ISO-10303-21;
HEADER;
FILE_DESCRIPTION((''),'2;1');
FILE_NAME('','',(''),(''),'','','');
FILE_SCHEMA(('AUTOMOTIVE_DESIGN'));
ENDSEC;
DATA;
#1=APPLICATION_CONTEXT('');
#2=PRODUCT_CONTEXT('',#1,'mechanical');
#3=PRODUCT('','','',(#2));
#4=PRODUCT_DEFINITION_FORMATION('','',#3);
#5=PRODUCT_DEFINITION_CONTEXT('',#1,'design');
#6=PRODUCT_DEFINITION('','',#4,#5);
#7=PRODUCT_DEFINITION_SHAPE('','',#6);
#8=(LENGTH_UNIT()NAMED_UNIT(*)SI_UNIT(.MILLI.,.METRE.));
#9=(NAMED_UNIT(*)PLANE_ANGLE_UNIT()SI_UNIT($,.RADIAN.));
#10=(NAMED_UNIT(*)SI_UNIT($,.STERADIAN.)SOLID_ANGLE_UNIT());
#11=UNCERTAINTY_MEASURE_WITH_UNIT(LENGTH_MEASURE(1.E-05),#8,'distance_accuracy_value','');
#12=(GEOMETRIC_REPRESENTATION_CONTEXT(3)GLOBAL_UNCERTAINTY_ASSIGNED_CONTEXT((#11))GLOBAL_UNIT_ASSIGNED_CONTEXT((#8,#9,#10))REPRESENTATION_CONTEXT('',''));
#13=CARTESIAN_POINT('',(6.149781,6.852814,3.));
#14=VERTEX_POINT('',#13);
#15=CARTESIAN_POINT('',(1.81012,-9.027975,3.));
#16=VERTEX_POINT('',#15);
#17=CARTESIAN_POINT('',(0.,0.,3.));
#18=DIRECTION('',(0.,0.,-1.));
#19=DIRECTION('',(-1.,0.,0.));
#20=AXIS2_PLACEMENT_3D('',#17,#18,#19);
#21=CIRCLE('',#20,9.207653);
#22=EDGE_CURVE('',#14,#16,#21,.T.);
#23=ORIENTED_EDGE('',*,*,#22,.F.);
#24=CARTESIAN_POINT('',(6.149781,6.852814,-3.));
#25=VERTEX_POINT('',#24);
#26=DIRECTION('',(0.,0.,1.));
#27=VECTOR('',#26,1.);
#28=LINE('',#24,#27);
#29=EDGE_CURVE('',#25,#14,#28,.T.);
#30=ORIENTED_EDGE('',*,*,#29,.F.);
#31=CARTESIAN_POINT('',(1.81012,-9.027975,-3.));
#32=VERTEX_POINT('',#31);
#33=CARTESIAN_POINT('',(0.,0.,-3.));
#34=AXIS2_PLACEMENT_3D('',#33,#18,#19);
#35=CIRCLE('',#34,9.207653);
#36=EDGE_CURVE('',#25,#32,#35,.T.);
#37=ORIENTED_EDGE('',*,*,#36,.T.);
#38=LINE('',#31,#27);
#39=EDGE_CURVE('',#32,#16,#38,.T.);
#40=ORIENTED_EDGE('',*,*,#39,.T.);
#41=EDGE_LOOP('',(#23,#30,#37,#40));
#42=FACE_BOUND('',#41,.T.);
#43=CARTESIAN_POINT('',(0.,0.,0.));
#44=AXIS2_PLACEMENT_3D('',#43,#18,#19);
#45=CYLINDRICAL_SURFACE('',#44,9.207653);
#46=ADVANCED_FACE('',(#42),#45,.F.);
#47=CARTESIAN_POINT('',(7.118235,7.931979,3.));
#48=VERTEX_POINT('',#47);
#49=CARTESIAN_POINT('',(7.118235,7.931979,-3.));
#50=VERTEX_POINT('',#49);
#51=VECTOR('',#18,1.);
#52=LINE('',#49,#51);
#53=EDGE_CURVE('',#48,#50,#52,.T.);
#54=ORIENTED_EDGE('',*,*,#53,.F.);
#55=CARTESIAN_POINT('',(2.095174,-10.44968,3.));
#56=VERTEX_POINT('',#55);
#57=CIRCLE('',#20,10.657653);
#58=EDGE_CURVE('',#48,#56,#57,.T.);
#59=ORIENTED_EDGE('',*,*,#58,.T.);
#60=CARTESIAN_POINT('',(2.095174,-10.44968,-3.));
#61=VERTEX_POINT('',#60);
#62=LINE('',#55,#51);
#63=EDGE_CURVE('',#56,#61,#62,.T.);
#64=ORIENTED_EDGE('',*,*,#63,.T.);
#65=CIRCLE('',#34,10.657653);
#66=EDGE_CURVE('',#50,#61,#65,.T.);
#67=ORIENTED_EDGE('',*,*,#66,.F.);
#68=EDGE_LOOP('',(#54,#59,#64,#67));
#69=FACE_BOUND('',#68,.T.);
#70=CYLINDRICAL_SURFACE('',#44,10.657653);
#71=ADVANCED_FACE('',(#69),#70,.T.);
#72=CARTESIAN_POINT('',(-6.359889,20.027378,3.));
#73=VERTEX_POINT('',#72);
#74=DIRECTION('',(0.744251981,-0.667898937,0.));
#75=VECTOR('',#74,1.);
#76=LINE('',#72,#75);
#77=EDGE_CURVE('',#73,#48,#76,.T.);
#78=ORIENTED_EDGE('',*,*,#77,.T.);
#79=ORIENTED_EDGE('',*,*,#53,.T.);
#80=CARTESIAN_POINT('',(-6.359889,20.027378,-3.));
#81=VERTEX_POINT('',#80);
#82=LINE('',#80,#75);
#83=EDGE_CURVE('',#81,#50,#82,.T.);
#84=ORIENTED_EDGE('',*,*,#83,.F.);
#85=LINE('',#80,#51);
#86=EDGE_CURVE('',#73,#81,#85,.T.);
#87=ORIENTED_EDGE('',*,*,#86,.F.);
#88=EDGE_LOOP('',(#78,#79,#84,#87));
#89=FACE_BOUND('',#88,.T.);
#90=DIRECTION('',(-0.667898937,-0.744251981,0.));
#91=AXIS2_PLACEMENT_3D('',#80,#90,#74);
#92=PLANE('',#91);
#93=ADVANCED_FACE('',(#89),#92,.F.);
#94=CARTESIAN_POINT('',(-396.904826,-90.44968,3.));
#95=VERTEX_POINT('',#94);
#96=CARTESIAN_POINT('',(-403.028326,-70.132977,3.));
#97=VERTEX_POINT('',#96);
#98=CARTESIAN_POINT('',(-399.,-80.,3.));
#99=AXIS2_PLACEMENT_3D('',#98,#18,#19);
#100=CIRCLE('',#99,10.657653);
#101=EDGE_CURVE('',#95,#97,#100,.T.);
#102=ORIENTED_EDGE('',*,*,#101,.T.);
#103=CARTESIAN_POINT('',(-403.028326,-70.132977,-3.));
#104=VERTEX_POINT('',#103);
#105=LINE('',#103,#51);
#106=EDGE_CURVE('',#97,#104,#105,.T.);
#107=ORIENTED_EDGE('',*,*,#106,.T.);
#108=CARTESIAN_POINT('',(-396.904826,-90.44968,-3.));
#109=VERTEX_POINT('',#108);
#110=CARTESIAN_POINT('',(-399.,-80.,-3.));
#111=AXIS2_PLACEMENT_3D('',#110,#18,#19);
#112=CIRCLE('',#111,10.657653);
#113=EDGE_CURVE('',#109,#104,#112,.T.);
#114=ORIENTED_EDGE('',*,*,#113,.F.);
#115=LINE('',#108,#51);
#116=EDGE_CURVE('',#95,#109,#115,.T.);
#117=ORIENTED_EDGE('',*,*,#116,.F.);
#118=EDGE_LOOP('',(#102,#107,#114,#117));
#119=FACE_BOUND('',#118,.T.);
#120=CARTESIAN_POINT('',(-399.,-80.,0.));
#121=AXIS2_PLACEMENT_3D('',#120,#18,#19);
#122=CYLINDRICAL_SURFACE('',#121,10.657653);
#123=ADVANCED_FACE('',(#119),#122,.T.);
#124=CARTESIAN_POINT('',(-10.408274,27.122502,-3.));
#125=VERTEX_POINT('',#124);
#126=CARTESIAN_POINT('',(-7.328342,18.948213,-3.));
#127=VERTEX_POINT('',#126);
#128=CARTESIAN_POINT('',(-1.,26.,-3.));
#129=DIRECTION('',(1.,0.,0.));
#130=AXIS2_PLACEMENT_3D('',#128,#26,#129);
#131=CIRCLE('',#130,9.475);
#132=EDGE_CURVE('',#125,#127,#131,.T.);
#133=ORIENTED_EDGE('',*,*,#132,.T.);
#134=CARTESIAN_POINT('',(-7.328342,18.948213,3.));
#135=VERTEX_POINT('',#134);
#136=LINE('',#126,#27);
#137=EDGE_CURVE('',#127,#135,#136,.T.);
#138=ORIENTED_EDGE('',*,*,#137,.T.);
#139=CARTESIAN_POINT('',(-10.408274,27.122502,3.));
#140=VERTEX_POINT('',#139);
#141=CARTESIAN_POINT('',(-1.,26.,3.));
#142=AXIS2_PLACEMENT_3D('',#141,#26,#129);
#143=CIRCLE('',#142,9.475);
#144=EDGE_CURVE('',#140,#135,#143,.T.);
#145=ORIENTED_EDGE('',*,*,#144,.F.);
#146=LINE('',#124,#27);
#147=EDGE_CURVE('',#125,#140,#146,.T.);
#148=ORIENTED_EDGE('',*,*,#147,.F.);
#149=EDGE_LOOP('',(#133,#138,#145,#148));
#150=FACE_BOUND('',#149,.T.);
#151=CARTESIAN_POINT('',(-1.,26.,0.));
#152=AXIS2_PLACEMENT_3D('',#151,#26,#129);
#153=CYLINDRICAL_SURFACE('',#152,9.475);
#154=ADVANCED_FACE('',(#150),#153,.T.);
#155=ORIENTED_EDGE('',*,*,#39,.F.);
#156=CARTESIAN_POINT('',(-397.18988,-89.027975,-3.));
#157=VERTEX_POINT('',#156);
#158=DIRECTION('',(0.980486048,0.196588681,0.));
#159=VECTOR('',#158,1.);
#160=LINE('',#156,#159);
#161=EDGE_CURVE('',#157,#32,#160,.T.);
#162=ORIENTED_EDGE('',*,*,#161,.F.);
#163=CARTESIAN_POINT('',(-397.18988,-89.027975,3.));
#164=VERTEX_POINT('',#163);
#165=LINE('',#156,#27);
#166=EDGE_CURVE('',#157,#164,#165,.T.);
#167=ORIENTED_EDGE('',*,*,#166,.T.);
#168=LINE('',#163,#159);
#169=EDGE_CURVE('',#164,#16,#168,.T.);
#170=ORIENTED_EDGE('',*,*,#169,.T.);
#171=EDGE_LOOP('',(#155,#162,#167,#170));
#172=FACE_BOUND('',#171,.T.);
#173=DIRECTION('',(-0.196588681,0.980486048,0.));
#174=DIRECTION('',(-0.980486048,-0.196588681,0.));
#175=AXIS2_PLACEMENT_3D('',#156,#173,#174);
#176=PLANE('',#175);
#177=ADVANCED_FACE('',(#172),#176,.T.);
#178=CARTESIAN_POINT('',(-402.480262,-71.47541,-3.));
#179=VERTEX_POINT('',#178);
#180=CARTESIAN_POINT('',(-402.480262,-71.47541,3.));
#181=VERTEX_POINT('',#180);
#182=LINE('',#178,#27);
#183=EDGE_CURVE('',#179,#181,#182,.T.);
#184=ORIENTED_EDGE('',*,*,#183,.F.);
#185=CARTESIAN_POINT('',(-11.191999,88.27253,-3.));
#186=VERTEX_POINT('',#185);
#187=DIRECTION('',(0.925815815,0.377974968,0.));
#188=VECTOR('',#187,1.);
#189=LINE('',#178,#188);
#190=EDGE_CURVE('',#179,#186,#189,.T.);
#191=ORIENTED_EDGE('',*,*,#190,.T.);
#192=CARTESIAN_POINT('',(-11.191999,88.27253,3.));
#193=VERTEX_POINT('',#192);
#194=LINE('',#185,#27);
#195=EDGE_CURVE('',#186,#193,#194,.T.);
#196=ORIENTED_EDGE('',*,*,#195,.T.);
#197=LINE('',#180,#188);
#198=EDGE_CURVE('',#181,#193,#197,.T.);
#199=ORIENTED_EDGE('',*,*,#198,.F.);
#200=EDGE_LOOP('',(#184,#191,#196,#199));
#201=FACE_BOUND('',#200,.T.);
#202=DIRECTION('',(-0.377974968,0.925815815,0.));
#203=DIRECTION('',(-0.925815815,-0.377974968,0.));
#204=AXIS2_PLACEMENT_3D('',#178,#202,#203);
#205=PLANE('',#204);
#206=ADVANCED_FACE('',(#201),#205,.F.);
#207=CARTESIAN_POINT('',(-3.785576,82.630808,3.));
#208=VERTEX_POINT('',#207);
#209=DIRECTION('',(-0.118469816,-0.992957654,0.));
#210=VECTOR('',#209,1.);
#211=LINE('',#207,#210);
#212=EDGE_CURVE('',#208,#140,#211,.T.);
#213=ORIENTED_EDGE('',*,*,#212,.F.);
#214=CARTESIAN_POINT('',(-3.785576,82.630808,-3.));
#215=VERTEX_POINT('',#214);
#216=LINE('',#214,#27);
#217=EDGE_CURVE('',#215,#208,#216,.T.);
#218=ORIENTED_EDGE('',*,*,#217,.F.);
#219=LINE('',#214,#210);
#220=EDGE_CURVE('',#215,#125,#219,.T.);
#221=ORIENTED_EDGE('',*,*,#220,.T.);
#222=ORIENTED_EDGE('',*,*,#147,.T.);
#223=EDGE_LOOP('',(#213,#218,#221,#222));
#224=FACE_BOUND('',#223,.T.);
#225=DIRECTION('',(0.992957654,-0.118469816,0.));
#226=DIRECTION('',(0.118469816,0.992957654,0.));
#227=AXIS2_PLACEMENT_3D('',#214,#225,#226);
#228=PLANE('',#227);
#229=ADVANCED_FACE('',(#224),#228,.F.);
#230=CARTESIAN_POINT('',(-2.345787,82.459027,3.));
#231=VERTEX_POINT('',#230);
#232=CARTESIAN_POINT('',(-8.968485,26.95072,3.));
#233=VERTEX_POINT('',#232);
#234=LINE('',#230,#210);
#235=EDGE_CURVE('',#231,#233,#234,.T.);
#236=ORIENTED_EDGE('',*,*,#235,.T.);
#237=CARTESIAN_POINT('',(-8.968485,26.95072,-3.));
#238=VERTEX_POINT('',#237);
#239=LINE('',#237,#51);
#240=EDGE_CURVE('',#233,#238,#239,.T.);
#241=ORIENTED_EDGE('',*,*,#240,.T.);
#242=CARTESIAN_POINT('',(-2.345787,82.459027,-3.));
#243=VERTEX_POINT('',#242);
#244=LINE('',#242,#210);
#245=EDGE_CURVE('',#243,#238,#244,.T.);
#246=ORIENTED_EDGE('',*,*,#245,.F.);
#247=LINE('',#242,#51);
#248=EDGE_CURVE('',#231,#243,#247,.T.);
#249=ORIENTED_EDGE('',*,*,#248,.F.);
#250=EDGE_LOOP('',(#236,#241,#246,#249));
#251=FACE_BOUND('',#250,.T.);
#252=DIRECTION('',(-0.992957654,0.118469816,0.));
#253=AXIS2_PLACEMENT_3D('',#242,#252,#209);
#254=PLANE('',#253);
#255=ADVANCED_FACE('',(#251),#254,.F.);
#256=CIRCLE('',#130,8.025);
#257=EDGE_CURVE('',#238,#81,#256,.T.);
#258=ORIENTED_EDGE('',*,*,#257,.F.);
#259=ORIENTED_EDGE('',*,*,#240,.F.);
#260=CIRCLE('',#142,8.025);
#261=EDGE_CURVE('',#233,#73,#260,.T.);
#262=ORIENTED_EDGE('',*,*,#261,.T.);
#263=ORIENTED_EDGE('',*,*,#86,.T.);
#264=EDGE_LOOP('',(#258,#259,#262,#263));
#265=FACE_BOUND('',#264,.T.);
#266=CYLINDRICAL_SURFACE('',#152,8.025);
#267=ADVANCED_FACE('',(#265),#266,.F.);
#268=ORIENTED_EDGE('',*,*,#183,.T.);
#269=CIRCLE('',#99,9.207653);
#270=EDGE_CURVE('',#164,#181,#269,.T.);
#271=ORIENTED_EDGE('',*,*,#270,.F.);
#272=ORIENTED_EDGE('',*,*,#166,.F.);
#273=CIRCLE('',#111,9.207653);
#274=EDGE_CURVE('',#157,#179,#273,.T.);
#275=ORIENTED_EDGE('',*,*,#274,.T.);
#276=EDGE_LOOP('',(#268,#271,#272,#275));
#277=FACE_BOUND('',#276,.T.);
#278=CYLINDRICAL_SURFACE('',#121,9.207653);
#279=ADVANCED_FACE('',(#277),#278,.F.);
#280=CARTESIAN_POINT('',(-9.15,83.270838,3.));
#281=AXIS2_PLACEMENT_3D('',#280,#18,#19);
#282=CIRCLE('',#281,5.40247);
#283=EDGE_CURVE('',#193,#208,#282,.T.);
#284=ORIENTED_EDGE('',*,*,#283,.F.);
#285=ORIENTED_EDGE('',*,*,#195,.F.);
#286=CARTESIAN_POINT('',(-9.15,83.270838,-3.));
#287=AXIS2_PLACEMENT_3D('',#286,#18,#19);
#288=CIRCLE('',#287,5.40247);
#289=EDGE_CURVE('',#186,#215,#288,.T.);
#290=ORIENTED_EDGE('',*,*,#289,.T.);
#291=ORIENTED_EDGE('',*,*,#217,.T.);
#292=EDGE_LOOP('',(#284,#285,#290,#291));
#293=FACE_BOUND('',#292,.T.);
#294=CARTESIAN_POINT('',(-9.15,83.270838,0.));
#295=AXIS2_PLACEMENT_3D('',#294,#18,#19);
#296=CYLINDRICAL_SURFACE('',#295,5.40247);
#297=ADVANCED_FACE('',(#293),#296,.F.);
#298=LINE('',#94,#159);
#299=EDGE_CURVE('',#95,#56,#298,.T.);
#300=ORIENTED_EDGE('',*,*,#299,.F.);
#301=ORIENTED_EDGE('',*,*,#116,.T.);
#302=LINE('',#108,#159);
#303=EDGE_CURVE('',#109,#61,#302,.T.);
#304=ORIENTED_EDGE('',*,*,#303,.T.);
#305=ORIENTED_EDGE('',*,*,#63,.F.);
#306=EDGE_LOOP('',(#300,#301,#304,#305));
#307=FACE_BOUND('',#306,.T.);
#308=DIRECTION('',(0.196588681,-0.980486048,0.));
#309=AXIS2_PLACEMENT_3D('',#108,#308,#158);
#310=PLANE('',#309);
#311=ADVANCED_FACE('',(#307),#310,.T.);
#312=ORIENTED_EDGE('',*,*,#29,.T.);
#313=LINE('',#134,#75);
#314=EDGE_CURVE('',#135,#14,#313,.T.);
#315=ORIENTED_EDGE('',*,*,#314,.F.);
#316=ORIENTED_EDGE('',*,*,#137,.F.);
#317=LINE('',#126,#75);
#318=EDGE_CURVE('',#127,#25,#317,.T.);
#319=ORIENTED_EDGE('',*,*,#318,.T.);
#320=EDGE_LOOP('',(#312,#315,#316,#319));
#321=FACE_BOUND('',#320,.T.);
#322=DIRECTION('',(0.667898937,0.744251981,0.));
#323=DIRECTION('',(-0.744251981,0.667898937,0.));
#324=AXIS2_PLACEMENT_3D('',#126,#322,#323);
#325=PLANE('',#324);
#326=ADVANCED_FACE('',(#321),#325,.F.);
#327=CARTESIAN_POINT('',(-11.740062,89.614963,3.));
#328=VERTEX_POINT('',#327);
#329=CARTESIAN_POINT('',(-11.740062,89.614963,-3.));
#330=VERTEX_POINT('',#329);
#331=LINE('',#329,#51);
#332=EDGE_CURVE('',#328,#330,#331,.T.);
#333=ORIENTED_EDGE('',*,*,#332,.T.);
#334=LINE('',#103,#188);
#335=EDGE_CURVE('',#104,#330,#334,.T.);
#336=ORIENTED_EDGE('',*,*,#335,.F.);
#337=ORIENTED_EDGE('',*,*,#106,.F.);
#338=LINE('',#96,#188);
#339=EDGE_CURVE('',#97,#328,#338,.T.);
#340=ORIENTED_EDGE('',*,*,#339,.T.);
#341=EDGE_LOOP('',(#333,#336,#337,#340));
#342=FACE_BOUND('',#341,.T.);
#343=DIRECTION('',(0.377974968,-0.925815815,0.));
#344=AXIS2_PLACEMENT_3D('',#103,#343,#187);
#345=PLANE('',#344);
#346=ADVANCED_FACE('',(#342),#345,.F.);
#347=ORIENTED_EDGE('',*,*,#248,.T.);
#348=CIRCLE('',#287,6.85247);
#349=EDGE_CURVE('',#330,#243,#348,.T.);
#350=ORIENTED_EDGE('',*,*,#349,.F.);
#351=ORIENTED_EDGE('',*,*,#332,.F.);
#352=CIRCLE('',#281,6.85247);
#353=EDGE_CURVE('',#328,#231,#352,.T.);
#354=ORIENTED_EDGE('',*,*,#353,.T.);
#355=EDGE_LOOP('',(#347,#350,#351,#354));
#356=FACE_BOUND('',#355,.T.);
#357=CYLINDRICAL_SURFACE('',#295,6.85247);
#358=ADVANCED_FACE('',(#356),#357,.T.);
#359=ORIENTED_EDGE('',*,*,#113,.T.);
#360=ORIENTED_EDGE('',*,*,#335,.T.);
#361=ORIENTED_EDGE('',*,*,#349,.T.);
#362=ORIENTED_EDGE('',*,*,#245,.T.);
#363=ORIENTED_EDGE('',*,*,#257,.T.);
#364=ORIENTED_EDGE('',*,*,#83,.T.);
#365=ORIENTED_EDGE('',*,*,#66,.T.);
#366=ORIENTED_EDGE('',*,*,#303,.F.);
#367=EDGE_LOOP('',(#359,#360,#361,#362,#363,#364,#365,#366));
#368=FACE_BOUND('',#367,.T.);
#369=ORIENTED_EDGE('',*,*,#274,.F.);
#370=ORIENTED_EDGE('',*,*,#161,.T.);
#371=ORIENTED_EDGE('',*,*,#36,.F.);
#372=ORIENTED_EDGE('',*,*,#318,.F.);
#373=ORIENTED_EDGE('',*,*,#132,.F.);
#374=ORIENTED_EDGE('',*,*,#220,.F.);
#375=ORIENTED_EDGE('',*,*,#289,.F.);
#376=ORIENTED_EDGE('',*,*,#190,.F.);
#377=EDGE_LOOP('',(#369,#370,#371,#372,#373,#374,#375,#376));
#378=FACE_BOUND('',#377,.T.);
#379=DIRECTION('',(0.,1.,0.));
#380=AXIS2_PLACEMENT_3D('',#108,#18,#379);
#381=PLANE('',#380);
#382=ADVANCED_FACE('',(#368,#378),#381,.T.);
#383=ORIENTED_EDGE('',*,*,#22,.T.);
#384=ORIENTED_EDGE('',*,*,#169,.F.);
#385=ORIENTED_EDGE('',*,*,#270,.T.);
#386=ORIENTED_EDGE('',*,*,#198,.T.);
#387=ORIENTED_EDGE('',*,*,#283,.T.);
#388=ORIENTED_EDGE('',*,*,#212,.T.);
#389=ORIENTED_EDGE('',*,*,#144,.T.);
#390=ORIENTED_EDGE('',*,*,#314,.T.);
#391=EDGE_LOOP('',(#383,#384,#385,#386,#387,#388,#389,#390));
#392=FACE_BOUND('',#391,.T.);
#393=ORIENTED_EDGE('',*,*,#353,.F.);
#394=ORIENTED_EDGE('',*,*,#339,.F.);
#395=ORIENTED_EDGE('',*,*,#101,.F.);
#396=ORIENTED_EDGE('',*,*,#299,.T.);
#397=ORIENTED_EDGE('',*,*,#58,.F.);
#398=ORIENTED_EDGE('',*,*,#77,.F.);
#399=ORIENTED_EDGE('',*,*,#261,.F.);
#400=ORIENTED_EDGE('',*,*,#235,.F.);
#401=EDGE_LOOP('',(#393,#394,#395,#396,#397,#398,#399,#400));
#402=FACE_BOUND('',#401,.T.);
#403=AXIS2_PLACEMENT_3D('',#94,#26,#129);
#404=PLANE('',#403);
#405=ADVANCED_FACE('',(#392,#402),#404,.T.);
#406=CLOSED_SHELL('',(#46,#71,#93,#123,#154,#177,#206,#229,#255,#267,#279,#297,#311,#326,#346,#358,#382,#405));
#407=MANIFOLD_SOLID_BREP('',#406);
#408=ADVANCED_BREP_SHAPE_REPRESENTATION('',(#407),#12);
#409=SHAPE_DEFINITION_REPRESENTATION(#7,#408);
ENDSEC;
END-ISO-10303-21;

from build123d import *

# Parameters (mm, degrees)
SKETCH4_W = 6
SKETCH4_H = 1.45


with BuildPart() as part:
    # Sweep1: sweep along a path in Sketch2
    with BuildLine(Plane.XY) as sweep1_path:
        Line((6.634008087, 7.392396345), (-6.844115698, 19.487795186))
        ThreePointArc((-6.844115698, 19.487795186), (-9.188071123, 22.914875813), (-9.688379476, 27.036610909))
        Line((-9.688379476, 27.036610909), (-3.065681286, 82.544917251))
        ThreePointArc((-3.065681286, 82.544917251), (-5.437015562, 88.14522378), (-11.466030466, 88.943746635))
        Line((-11.466030466, 88.943746635), (-402.754294044, -70.804193152))
        ThreePointArc((-402.754294044, -70.804193152), (-408.510077554, -82.86635865), (-397.047352934, -89.738827246))
        Line((-397.047352934, -89.738827246), (1.95264707, -9.738827262))
        ThreePointArc((1.95264707, -9.738827262), (9.58135519, -2.618247459), (6.634008087, 7.392396345))
    # Sketch4 → Sweep1 (sweep)
    with BuildSketch(Plane(origin=(0, 0, 0), x_dir=(0, 0, 1), z_dir=(0.9804860480377625, 0.1965886812695244, 0))):
        with Locations((0, 9.932652567)):
            Rectangle(SKETCH4_W, SKETCH4_H)
    sweep(path=sweep1_path.line)


solid = part.part
